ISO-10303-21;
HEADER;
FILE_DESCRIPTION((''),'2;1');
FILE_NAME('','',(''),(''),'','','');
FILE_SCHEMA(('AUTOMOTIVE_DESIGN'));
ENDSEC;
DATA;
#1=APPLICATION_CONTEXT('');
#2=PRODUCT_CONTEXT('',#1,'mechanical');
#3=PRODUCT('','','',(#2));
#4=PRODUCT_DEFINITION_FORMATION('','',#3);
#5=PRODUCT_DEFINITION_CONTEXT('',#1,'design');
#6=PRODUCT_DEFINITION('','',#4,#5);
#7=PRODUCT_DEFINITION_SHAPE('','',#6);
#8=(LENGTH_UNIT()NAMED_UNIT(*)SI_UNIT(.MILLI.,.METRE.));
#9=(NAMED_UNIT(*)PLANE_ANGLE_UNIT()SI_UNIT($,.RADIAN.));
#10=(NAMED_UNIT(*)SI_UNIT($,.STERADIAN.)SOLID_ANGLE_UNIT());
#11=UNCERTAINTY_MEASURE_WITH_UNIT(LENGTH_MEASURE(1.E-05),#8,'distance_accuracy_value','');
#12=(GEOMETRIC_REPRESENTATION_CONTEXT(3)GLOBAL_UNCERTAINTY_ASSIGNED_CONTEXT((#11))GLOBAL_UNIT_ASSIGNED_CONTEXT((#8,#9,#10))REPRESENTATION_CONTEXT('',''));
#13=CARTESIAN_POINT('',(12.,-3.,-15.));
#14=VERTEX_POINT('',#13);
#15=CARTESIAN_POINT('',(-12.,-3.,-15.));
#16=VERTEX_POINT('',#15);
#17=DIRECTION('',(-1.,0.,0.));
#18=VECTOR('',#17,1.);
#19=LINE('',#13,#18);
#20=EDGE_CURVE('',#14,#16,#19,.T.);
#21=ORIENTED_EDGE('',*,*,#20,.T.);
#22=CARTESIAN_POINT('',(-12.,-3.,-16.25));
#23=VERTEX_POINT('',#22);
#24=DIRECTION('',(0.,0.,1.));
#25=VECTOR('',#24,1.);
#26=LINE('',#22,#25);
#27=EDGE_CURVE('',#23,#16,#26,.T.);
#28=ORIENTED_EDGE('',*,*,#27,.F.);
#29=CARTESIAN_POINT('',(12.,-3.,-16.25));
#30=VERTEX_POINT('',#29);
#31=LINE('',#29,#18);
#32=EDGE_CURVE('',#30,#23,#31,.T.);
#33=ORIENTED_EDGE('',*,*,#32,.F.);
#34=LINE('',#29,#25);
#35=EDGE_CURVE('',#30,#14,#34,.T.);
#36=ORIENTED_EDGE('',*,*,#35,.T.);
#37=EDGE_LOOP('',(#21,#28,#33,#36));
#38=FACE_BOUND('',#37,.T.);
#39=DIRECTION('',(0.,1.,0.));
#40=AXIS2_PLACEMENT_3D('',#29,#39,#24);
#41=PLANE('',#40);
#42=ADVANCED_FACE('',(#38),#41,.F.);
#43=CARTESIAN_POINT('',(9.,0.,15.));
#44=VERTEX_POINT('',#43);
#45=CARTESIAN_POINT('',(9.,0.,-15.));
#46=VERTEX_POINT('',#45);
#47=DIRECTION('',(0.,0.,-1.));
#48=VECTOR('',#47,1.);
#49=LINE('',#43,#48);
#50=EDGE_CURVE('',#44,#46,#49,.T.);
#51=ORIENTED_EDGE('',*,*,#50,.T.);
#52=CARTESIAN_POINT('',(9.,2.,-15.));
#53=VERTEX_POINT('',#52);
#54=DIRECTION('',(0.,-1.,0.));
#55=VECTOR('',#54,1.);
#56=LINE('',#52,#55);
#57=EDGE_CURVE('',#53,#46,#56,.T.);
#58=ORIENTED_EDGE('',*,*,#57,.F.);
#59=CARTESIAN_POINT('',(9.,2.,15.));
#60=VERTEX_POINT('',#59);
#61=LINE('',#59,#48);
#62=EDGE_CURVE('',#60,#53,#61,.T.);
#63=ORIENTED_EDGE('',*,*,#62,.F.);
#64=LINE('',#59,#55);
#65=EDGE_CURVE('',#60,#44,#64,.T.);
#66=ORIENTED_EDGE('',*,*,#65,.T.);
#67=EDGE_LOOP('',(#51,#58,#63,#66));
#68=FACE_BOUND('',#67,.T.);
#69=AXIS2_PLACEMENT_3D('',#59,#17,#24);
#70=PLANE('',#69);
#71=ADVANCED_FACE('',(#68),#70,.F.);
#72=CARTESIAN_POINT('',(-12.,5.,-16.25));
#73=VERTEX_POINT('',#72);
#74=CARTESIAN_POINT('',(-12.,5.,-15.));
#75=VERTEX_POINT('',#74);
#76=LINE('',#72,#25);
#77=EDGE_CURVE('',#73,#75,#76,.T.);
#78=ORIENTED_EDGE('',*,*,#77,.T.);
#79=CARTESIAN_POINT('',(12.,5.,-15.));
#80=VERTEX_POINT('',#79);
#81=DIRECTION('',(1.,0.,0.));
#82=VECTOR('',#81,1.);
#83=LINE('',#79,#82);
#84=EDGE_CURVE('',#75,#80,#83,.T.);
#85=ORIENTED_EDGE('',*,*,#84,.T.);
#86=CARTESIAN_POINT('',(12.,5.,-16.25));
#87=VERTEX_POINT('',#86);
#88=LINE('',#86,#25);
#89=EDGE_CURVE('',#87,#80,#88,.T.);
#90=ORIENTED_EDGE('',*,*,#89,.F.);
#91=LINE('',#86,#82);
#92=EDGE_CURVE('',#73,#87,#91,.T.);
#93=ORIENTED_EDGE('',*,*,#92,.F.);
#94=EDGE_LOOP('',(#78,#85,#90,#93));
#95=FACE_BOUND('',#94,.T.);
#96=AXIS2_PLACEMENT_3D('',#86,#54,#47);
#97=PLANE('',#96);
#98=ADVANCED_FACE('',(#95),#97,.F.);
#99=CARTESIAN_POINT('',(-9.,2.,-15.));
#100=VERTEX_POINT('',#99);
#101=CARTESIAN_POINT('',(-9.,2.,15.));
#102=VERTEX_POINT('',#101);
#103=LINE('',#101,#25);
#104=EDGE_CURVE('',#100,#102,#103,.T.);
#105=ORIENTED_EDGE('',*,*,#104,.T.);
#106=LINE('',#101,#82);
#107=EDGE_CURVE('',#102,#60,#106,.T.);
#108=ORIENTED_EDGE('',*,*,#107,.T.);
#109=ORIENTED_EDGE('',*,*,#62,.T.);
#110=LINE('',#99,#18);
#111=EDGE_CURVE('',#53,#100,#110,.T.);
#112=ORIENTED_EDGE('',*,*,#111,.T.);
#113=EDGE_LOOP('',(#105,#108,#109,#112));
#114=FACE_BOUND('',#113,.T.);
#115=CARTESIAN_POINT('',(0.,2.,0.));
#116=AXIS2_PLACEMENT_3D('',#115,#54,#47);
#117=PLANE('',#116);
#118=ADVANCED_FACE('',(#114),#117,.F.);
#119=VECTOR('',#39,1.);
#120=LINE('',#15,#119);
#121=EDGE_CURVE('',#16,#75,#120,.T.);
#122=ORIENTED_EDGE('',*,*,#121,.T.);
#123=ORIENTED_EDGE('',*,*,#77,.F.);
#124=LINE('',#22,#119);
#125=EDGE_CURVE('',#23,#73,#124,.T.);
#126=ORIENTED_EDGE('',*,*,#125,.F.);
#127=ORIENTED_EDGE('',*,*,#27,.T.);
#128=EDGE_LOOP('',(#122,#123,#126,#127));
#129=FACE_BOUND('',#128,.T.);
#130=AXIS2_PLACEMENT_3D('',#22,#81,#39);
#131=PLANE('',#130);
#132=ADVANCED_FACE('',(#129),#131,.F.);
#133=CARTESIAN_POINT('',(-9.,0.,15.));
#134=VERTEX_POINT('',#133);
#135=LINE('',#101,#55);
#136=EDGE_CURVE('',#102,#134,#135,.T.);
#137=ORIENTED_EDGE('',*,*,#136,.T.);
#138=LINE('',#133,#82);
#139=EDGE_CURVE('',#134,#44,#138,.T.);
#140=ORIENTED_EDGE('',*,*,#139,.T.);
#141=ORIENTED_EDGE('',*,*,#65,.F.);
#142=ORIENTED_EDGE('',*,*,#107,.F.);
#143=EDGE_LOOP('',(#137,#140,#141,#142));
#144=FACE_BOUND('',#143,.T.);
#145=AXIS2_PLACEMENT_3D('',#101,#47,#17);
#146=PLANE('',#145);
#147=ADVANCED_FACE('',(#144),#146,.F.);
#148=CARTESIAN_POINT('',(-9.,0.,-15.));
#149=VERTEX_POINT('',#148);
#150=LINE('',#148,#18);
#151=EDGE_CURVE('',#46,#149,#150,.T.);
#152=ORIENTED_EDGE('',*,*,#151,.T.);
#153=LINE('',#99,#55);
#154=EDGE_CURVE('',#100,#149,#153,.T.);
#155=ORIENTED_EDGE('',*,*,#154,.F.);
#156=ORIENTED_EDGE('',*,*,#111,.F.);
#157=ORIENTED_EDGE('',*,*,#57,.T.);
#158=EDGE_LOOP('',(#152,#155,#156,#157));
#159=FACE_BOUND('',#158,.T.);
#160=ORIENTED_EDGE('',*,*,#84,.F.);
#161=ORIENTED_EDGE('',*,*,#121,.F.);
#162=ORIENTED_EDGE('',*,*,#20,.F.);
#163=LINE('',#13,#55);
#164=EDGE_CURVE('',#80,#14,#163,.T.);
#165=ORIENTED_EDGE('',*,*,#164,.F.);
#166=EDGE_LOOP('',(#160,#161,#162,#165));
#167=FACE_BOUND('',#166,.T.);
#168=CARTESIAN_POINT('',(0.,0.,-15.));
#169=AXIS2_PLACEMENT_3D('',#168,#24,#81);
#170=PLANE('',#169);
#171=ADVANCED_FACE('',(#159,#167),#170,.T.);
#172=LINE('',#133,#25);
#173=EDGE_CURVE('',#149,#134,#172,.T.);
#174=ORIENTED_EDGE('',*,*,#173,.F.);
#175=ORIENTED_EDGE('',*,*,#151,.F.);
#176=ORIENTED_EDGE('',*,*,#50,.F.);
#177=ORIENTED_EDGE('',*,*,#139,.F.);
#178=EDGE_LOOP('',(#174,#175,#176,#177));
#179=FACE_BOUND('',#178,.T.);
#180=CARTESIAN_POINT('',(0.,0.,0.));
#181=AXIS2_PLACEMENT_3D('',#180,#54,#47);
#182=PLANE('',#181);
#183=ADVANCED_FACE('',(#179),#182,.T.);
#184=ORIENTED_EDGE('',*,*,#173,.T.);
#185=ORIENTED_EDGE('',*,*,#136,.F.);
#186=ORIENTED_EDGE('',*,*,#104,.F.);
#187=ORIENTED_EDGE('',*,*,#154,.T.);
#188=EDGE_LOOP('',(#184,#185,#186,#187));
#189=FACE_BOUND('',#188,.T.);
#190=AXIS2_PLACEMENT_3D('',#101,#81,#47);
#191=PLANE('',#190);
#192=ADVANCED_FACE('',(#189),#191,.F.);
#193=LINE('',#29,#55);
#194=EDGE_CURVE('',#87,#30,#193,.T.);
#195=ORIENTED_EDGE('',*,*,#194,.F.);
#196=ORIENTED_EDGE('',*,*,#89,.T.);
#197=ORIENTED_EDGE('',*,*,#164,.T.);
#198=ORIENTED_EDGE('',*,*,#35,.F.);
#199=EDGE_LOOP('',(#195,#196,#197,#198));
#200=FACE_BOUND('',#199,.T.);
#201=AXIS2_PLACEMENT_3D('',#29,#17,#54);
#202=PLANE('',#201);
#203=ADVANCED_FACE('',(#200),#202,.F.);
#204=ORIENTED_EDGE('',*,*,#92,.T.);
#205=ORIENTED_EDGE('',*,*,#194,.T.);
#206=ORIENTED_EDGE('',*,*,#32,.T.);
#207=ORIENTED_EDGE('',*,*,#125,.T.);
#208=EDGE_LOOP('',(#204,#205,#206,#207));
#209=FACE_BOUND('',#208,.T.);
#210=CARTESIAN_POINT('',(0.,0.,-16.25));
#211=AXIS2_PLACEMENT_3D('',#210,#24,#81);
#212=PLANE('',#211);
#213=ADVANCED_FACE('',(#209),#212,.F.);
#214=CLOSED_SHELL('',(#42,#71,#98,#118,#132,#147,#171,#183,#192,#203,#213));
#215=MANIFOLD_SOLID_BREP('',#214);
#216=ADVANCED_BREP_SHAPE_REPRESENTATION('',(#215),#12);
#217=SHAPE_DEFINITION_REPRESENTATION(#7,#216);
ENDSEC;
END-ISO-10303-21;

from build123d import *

# Parameters (mm, degrees)
SKETCH1_W           = 18
SKETCH1_H           = 30
BOSS_EXTRUDE1_DEPTH = 2
SKETCH2_W           = 24
SKETCH2_H           = 8
BOSS_EXTRUDE2_DEPTH = 1.25


with BuildPart() as part:
    # Sketch1 → Boss-Extrude1 (new body)
    with BuildSketch(Plane(origin=(0, 0, 0), x_dir=(1, 0, 0), z_dir=(0, 1, 0))):
        Rectangle(SKETCH1_W, SKETCH1_H)
    extrude(amount=BOSS_EXTRUDE1_DEPTH)

    # Sketch2 → Boss-Extrude2 (add)
    with BuildSketch(Plane(origin=(0, 0, -15), x_dir=(-1, 0, 0), z_dir=(0, 0, -1))):
        with Locations((0, 1)):
            Rectangle(SKETCH2_W, SKETCH2_H)
    extrude(amount=BOSS_EXTRUDE2_DEPTH)


solid = part.part
